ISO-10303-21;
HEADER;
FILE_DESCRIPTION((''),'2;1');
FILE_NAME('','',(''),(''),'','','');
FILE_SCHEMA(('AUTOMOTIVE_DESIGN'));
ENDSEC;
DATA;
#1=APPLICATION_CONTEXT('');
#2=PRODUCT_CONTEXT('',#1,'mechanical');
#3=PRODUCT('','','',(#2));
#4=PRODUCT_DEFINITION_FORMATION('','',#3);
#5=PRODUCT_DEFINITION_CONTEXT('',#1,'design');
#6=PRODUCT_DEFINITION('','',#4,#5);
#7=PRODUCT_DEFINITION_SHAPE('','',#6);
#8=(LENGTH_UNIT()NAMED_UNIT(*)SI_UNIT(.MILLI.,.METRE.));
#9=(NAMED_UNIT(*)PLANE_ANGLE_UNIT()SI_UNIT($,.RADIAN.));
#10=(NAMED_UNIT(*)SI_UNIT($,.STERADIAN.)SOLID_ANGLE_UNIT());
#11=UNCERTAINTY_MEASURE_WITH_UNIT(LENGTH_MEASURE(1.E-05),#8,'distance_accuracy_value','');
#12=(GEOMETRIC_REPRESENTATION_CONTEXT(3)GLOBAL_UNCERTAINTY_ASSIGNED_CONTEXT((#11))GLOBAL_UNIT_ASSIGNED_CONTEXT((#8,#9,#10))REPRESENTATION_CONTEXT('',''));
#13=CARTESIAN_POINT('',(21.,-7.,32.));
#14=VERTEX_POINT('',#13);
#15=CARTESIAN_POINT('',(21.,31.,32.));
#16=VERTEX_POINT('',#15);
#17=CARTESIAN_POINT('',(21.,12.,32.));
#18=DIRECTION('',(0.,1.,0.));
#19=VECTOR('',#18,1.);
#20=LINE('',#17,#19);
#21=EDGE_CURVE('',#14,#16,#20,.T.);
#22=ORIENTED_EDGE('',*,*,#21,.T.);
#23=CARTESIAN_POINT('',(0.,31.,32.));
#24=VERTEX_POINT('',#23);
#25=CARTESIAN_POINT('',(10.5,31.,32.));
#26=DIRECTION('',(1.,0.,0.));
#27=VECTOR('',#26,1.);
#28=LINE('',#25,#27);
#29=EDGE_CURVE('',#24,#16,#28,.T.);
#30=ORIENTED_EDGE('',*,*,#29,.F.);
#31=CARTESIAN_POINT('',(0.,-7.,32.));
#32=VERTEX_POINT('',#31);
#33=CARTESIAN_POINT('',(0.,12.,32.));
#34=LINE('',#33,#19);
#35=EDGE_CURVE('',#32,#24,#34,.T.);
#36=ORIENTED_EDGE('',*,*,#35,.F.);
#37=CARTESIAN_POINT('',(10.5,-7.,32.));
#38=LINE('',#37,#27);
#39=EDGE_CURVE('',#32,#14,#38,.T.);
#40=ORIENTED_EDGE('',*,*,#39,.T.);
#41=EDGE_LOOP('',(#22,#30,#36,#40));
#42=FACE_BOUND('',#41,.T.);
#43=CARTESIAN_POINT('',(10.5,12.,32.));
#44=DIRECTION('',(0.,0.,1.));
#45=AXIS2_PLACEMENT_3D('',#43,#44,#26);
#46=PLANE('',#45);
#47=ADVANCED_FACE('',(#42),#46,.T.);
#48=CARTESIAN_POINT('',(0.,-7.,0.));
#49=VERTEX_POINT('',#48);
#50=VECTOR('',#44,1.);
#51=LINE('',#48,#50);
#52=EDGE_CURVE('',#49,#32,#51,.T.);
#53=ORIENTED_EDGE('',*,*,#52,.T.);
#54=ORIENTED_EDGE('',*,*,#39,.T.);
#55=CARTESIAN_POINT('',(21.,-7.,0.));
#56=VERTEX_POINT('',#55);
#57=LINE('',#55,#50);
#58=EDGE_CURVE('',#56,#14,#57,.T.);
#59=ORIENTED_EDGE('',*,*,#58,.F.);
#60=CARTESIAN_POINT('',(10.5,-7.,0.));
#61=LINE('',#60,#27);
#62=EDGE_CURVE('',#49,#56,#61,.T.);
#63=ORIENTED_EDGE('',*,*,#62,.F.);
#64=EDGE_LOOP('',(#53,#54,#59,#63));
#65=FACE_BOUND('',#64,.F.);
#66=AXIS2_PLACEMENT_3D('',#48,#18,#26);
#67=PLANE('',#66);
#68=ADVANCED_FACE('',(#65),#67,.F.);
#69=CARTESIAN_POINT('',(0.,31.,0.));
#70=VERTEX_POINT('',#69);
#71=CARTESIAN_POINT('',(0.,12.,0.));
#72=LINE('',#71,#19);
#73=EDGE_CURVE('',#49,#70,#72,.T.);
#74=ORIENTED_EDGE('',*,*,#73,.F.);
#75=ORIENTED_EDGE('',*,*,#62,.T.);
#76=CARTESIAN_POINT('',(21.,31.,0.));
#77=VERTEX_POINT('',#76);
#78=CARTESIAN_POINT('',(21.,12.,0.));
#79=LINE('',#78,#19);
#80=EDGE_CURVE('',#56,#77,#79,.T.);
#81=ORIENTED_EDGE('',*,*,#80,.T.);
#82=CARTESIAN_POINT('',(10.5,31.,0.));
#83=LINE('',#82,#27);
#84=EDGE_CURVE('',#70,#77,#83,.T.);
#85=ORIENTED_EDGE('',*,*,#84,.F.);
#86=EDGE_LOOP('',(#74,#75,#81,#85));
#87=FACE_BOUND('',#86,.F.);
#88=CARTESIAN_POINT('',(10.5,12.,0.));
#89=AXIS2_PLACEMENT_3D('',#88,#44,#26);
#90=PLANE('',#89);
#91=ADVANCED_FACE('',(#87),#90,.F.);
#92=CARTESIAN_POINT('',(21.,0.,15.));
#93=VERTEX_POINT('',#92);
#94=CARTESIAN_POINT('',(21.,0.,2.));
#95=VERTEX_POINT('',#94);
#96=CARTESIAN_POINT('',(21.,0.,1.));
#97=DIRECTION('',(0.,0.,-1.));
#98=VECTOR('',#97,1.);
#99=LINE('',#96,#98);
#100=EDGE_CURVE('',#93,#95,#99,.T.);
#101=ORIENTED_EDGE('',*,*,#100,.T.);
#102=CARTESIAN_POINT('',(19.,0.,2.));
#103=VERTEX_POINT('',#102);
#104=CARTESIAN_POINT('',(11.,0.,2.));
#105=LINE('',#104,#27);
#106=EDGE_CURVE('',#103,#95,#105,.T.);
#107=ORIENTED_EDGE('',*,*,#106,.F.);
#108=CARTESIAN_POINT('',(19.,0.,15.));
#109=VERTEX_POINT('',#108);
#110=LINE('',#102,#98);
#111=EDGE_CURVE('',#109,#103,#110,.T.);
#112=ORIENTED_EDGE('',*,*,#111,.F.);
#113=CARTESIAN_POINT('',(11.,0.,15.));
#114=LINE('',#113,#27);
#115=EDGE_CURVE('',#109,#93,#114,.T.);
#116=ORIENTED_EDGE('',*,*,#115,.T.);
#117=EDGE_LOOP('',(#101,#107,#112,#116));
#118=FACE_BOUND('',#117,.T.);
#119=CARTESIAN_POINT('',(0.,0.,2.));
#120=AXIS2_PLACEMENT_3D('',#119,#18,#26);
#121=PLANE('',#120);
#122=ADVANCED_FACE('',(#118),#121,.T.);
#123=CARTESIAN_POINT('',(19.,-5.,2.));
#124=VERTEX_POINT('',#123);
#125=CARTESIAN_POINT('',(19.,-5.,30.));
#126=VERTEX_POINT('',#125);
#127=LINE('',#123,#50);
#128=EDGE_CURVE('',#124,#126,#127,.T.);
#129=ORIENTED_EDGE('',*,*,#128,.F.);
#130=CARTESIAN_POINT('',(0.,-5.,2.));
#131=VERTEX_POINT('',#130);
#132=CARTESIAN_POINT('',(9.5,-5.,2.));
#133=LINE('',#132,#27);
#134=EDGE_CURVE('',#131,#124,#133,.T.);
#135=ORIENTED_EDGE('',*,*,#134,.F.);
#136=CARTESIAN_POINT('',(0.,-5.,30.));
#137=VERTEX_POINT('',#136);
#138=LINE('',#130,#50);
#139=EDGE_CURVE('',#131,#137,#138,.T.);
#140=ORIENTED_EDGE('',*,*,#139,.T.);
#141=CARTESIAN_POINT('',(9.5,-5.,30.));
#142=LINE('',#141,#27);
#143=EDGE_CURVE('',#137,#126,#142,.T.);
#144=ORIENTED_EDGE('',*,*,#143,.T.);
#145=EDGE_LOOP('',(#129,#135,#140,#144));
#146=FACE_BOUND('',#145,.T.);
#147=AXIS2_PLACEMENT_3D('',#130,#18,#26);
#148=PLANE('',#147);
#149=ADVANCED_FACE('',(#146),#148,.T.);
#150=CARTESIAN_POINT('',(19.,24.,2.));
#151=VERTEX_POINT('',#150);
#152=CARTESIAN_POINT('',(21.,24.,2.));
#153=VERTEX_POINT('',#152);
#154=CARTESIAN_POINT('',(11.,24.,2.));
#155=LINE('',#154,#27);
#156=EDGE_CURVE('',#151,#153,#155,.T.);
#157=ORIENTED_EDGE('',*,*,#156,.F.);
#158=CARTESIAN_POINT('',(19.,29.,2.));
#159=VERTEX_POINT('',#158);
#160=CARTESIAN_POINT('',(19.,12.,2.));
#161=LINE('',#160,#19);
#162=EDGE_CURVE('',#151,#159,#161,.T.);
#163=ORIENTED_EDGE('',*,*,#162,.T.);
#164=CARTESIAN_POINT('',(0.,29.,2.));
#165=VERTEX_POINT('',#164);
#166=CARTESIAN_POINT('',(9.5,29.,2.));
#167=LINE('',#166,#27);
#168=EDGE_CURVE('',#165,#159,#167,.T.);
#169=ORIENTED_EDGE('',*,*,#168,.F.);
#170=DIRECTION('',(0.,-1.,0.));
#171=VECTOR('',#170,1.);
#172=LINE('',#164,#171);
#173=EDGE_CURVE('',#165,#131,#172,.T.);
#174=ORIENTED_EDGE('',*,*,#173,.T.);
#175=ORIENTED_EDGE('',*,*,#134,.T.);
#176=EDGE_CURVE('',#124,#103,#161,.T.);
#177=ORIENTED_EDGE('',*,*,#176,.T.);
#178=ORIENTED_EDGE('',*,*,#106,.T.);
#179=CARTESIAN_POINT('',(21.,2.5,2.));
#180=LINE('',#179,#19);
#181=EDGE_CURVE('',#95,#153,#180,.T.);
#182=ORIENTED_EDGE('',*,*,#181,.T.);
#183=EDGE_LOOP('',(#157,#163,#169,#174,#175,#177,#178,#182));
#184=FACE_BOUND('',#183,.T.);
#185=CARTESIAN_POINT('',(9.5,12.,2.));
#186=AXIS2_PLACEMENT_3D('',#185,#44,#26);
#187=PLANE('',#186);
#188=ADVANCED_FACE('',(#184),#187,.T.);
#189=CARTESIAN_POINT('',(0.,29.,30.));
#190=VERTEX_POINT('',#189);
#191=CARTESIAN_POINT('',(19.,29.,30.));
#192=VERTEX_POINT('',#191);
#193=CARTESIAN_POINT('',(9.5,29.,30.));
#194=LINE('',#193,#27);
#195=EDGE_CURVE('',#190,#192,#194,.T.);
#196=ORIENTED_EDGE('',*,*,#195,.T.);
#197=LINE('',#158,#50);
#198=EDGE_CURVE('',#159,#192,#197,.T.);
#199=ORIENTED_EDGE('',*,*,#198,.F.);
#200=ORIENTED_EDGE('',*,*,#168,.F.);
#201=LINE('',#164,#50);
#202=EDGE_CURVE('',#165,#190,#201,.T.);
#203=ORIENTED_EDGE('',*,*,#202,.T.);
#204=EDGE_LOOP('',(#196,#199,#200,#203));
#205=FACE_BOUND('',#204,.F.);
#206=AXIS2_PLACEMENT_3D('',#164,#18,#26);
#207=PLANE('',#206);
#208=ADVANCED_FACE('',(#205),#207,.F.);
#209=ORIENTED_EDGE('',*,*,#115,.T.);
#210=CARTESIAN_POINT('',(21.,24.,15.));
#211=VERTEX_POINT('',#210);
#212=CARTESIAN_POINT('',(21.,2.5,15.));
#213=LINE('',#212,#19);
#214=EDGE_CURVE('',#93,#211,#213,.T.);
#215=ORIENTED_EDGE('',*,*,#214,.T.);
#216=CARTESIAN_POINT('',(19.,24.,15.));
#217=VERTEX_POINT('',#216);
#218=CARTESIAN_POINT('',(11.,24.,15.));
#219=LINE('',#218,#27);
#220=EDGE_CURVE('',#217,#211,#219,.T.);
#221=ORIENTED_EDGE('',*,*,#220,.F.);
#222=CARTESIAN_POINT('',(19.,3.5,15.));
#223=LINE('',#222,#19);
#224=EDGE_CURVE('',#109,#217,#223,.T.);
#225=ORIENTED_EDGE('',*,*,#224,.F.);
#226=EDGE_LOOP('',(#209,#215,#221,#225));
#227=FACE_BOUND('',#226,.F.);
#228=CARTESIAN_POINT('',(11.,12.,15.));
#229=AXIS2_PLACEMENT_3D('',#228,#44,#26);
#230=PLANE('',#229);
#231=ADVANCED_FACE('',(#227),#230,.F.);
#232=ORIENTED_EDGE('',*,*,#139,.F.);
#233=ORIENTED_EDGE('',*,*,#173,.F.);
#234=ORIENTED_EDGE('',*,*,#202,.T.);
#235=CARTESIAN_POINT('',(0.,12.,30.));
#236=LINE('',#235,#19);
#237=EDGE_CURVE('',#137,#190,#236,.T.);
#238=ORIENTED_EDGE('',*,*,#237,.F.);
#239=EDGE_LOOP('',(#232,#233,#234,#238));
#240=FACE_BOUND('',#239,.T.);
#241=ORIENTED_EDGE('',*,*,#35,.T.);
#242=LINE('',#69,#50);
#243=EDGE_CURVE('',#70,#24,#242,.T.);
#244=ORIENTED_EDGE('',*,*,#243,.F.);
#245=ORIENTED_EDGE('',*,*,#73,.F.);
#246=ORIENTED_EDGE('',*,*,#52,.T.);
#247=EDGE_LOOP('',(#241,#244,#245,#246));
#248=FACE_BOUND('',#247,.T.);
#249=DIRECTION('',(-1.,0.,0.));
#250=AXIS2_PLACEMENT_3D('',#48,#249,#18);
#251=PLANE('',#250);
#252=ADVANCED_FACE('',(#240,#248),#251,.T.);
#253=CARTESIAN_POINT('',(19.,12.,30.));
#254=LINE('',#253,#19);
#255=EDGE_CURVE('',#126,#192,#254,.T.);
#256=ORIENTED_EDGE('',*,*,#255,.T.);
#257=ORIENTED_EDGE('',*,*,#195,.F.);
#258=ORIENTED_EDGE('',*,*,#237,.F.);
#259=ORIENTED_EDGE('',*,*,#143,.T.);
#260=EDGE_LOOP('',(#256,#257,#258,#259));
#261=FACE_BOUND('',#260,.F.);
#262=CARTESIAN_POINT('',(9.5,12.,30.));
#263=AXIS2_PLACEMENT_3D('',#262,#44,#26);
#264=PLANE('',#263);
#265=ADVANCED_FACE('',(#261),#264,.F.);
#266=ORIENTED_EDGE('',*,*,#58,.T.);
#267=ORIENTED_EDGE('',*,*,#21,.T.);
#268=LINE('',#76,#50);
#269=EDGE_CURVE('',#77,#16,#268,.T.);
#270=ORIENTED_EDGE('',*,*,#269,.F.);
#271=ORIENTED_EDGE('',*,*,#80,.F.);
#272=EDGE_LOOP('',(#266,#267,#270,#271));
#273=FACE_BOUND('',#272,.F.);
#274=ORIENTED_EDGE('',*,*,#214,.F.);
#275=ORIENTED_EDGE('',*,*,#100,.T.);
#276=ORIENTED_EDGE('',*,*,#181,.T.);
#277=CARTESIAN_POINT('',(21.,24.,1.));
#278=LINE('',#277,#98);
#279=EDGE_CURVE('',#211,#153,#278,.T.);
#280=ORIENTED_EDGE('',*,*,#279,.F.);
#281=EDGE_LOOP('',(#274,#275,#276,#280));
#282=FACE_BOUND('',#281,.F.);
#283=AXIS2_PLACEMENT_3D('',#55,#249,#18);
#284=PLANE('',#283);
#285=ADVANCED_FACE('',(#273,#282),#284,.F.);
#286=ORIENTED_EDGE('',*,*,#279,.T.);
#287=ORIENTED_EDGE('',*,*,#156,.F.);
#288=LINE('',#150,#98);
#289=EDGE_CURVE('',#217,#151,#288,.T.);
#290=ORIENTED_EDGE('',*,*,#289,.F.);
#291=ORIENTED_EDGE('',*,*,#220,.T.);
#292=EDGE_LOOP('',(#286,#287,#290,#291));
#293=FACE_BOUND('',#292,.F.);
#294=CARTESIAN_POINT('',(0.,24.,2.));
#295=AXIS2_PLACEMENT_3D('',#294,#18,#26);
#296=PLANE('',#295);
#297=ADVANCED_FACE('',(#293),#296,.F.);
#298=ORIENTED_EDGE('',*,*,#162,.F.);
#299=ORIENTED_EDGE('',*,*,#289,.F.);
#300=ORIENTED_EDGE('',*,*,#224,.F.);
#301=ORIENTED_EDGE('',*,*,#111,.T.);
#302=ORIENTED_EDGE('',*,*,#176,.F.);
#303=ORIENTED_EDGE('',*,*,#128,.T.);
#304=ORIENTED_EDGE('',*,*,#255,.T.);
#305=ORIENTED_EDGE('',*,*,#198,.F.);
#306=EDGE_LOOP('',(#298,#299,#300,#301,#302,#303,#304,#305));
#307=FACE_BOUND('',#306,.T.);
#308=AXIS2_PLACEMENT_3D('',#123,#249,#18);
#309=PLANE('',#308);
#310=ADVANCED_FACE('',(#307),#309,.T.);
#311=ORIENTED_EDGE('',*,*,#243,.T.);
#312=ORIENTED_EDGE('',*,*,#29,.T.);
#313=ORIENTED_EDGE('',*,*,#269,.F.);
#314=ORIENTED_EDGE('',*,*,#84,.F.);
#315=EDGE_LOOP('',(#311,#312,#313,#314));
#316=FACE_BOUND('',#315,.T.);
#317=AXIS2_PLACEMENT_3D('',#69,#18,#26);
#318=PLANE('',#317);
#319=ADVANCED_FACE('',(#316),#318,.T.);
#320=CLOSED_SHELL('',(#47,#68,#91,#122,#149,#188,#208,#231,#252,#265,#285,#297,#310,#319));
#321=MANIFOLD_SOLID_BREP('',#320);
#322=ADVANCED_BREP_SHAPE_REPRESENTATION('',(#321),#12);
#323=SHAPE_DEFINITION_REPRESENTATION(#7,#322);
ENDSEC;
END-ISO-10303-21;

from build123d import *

# Parameters (mm, degrees)
BOX002002_W     = 22
BOX002002_H     = 24
BOX002002_DEPTH = 13
BOX002_W        = 19
BOX002_H        = 34
BOX002_DEPTH    = 28
BOX002001_W     = 21
BOX002001_H     = 38
BOX002001_DEPTH = 32


with BuildPart() as box002002:
    # Box002002 → Box002002 (new body)
    with BuildSketch(Plane.XY.offset(2)):
        with Locations((11, 12)):
            Rectangle(BOX002002_W, BOX002002_H)
    extrude(amount=BOX002002_DEPTH)


with BuildPart() as fusion007:
    # Box002 → Box002 (new body)
    with BuildSketch(Plane(origin=(0, -5, 2), x_dir=(1, 0, 0), z_dir=(0, 0, 1))):
        with Locations((9.5, 17)):
            Rectangle(BOX002_W, BOX002_H)
    extrude(amount=BOX002_DEPTH)

    # Fusion007: union Box002002
    add(box002002.part)


with BuildPart() as cut:
    # Box002001 → Box002001 (new body)
    with BuildSketch(Plane(origin=(0, -7, 0), x_dir=(1, 0, 0), z_dir=(0, 0, 1))):
        with Locations((10.5, 19)):
            Rectangle(BOX002001_W, BOX002001_H)
    extrude(amount=BOX002001_DEPTH)

    # Cut: cut Fusion007
    add(fusion007.part, mode=Mode.SUBTRACT)


solid = cut.part
